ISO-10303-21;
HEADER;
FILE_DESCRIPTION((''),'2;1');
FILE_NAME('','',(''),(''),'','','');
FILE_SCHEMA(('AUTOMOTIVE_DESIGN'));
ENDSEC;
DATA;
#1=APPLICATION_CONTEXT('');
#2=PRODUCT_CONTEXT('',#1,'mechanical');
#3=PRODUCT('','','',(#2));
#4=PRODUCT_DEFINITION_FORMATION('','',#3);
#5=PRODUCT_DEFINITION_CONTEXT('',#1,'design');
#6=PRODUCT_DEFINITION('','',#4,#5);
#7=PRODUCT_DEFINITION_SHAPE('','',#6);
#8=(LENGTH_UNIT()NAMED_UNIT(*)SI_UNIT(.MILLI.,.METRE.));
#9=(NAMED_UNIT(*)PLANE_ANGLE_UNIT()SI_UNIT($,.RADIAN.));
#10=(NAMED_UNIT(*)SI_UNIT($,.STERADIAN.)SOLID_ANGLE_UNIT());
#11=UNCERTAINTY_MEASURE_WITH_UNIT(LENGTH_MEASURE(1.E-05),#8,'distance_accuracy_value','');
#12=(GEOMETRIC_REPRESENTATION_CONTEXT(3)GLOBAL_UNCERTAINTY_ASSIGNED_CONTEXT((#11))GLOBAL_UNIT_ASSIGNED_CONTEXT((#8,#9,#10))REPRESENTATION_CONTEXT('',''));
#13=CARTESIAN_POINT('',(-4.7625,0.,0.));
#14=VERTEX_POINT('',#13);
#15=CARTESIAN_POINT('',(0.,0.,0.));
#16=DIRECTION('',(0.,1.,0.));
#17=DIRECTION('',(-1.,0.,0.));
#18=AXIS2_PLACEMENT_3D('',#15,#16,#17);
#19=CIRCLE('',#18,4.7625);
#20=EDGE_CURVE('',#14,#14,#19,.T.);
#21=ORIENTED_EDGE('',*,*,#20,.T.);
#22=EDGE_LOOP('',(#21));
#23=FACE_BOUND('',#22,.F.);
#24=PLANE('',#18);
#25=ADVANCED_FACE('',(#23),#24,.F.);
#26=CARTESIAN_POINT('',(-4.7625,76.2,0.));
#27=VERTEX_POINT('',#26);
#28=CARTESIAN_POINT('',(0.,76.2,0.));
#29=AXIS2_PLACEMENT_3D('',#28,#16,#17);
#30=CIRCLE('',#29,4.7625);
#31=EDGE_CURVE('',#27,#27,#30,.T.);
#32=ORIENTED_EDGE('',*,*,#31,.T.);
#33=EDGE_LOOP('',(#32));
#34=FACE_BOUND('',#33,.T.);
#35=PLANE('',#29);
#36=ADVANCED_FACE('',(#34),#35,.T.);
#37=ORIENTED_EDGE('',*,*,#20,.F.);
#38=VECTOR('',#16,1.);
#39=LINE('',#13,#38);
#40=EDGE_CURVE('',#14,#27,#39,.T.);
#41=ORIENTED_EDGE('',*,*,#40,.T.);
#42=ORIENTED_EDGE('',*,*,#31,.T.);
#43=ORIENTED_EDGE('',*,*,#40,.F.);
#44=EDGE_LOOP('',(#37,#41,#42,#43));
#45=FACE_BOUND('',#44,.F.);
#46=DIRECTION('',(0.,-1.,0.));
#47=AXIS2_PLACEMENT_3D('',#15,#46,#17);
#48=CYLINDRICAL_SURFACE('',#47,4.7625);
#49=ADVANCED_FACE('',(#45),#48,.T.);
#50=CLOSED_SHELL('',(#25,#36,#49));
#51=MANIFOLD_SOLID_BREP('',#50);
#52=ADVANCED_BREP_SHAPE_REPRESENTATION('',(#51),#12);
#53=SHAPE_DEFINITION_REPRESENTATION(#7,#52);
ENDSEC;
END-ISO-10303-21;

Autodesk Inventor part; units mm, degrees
ref_plane "YZ Plane" through (0, 0, 0) normal (1, 0, 0) x (0, 1, 0)
ref_plane "XZ Plane" through (0, 0, 0) normal (0, 1, 0) x (-1, 0, 0)
ref_plane "XY Plane" through (0, 0, 0) normal (0, 0, 1) x (1, 0, 0)
sketch "Sketch1" plane through (0, 0, 0) normal (0, 1, 0) x (-1, 0, 0)
  circle A0 centre (0, 0) radius 4.7625
  dimension "d0" = 9.525
extrude "Extrusion1" add sketch "Sketch1" along normal blind 76.2
properties part number "Crossbeam Post"
